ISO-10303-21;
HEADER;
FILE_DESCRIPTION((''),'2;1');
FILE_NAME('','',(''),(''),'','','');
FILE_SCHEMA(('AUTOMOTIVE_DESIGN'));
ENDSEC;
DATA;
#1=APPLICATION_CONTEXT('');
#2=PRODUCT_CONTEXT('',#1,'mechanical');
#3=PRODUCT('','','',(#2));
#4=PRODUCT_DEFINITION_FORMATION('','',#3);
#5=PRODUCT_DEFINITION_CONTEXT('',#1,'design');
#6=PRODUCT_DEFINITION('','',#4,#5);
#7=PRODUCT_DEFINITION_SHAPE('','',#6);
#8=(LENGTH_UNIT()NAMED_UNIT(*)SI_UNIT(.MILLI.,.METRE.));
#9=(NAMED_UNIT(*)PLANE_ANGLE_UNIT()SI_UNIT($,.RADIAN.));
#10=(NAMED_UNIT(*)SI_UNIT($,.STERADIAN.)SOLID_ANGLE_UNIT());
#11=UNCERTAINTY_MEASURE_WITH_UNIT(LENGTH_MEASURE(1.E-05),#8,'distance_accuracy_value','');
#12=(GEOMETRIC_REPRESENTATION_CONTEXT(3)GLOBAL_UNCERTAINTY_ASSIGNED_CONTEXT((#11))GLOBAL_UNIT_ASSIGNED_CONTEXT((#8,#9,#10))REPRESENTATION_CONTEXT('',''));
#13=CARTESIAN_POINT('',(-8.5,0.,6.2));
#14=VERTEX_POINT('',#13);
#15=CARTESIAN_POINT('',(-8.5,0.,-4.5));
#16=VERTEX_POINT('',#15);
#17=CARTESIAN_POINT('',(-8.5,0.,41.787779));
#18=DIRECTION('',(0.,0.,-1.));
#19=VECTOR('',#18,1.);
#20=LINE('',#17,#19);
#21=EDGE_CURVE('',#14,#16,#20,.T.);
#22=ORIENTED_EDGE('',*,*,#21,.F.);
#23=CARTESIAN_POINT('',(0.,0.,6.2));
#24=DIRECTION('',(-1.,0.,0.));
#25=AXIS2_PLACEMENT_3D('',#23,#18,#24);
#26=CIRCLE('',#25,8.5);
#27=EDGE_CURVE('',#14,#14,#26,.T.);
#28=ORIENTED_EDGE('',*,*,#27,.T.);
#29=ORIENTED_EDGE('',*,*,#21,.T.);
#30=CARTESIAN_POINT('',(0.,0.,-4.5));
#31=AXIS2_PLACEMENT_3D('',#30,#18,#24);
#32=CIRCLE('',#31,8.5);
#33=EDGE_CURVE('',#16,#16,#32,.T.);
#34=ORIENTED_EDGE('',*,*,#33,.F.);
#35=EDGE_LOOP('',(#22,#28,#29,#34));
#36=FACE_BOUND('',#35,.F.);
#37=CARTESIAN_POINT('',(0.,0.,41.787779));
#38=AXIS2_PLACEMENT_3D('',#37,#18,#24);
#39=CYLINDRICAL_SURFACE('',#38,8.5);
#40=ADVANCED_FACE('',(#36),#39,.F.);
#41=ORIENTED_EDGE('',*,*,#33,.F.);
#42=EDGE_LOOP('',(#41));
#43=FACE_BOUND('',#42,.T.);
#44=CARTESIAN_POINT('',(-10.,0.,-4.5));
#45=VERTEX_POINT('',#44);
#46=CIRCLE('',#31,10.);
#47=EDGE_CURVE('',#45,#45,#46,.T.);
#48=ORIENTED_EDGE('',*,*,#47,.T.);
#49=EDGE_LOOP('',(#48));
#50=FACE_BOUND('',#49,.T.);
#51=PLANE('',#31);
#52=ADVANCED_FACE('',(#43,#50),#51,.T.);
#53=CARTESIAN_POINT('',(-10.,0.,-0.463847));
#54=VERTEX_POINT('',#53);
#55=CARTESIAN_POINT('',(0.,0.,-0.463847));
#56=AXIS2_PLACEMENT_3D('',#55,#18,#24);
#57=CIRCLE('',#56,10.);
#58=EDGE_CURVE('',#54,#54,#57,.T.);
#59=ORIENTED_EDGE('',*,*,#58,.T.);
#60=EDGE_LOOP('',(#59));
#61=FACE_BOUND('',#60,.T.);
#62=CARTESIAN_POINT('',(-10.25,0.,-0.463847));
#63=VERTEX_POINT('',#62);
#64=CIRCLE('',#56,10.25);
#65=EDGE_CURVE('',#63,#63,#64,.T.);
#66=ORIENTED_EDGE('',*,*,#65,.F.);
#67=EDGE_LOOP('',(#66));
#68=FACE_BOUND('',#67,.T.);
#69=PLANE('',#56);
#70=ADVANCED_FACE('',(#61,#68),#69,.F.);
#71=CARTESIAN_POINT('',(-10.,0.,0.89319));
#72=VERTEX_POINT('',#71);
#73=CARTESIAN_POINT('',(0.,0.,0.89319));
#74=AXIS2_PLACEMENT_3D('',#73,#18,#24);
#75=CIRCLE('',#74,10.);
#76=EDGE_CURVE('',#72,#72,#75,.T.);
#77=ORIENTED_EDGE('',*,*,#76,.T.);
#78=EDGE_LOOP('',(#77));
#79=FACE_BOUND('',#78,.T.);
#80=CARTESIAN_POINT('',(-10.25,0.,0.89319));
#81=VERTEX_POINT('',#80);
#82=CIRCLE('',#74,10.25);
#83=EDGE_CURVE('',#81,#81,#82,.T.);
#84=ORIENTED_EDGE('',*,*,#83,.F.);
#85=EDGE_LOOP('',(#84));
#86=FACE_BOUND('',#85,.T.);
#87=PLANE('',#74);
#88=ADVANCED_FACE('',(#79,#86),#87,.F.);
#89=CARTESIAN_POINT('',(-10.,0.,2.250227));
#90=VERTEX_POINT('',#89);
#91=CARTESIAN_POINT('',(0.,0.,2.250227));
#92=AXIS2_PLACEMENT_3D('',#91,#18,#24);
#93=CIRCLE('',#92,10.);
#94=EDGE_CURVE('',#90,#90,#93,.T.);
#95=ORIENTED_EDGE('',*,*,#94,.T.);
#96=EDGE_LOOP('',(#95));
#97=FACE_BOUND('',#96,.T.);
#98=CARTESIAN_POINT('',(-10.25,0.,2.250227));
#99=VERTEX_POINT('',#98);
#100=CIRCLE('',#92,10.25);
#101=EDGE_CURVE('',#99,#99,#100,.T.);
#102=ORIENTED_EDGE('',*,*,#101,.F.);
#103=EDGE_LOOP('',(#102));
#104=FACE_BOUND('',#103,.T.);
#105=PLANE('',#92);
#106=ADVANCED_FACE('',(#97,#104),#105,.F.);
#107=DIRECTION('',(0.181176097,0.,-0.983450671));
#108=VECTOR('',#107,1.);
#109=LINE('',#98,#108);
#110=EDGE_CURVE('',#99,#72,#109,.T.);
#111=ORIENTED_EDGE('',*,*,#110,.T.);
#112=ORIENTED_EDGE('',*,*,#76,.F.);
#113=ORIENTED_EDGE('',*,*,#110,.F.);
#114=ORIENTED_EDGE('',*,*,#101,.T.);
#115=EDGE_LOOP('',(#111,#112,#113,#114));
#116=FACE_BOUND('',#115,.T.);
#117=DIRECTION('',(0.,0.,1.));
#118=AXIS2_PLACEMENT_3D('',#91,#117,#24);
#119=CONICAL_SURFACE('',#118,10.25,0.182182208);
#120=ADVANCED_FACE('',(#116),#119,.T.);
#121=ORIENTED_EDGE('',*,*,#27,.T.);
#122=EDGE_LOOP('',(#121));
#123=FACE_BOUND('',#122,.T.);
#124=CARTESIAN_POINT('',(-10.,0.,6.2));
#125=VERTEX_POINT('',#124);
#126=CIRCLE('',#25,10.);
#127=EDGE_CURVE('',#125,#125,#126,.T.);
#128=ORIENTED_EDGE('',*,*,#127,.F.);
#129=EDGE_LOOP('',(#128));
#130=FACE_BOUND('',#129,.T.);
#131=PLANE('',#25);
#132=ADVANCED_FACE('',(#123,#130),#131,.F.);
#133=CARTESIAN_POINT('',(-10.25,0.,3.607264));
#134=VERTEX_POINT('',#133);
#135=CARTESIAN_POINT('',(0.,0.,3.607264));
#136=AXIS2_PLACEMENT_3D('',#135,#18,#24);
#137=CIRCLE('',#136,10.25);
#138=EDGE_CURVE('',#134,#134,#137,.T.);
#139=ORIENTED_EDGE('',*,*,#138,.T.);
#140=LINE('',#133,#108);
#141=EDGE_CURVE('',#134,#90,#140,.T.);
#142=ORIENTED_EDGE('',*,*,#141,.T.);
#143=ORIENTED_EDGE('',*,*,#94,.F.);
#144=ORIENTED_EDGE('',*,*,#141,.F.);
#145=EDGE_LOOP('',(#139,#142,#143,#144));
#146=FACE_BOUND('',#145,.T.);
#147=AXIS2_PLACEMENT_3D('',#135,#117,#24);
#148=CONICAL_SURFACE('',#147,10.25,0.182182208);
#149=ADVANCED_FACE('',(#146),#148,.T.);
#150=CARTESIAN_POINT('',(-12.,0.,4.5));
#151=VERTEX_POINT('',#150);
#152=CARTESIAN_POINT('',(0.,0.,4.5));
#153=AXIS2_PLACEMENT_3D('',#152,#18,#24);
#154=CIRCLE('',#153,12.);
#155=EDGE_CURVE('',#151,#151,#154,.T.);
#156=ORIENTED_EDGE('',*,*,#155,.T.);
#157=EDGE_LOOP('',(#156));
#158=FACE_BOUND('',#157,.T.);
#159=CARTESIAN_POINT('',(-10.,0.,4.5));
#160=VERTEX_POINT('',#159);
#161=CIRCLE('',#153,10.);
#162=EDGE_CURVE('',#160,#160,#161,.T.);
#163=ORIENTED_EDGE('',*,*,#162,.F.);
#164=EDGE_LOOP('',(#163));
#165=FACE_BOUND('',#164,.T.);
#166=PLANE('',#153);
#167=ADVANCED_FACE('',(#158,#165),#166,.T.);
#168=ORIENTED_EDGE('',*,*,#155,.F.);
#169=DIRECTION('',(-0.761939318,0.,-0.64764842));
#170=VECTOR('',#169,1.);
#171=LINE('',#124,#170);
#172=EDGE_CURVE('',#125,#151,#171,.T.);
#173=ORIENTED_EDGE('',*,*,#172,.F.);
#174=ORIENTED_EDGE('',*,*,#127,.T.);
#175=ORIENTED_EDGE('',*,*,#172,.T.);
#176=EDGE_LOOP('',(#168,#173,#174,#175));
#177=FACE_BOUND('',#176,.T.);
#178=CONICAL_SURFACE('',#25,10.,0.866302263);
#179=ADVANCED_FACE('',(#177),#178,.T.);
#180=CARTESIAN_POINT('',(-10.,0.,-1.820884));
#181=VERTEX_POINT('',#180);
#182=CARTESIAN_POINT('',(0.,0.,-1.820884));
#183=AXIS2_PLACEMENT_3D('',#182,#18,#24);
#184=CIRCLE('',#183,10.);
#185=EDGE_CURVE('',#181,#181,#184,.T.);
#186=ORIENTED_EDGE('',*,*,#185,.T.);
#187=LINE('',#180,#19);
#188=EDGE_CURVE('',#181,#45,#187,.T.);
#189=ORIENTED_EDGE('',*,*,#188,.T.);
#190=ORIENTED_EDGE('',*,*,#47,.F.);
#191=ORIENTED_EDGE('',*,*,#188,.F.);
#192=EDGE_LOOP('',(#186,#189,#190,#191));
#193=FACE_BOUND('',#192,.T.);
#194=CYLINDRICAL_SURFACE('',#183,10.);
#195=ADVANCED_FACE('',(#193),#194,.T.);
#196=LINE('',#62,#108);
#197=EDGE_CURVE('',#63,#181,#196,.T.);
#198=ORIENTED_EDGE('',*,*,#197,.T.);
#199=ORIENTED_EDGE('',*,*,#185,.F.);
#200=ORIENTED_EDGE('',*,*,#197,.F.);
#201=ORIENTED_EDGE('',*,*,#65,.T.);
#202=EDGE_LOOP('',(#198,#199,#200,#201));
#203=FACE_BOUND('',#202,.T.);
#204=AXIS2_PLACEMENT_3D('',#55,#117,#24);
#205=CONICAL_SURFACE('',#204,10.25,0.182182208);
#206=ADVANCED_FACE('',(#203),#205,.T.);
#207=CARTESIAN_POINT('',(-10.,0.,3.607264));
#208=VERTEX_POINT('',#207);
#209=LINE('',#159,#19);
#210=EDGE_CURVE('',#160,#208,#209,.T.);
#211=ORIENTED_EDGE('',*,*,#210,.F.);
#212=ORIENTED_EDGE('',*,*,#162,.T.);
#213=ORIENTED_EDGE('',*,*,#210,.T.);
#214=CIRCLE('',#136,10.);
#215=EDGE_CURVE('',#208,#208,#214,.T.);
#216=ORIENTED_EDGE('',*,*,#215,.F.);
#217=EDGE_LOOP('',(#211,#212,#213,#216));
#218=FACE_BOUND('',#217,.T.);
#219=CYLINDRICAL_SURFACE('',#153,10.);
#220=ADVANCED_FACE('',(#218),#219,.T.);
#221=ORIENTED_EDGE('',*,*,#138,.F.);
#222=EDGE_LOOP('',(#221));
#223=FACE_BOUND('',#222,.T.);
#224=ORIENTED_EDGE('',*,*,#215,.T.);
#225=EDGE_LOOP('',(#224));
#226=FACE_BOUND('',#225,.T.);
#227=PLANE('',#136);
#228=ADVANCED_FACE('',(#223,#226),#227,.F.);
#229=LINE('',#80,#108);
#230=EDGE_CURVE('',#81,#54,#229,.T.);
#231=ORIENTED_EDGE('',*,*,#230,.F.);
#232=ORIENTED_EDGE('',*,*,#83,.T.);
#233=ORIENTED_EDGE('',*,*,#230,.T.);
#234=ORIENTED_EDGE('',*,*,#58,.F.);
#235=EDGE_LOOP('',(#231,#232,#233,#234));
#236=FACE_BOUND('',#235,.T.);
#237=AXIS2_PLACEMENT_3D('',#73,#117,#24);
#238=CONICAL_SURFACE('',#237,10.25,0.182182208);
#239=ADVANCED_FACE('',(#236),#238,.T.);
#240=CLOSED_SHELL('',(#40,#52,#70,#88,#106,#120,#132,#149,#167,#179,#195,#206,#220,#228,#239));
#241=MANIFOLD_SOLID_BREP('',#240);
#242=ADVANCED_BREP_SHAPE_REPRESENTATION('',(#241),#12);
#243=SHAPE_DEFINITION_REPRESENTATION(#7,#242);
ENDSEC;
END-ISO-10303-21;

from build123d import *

# Parameters (mm, degrees)
F3_D = 17


with BuildPart() as f1:
    # F0 (on Front) → F1 (revolve)
    with BuildSketch(Plane.XZ):
        Polygon((-10, -1.820884), (-10, -4.5), (0, -4.5), (0, 6.2), (-10, 6.2), (-12, 4.5), (-10, 4.5), (-10, 3.607264), (-10.25, 3.607264), (-10, 2.250227), (-10.25, 2.250227), (-10, 0.89319), (-10.25, 0.89319), (-10, -0.463847), (-10.25, -0.463847), align=None)
    revolve(axis=Axis((0, 0, 0.85), (0, 0, -1)))

    # F3 (through all)
    with Locations(Plane.XY.offset(6.2)):
        with Locations((0, 0)):
            Hole(F3_D / 2)


solid = f1.part
